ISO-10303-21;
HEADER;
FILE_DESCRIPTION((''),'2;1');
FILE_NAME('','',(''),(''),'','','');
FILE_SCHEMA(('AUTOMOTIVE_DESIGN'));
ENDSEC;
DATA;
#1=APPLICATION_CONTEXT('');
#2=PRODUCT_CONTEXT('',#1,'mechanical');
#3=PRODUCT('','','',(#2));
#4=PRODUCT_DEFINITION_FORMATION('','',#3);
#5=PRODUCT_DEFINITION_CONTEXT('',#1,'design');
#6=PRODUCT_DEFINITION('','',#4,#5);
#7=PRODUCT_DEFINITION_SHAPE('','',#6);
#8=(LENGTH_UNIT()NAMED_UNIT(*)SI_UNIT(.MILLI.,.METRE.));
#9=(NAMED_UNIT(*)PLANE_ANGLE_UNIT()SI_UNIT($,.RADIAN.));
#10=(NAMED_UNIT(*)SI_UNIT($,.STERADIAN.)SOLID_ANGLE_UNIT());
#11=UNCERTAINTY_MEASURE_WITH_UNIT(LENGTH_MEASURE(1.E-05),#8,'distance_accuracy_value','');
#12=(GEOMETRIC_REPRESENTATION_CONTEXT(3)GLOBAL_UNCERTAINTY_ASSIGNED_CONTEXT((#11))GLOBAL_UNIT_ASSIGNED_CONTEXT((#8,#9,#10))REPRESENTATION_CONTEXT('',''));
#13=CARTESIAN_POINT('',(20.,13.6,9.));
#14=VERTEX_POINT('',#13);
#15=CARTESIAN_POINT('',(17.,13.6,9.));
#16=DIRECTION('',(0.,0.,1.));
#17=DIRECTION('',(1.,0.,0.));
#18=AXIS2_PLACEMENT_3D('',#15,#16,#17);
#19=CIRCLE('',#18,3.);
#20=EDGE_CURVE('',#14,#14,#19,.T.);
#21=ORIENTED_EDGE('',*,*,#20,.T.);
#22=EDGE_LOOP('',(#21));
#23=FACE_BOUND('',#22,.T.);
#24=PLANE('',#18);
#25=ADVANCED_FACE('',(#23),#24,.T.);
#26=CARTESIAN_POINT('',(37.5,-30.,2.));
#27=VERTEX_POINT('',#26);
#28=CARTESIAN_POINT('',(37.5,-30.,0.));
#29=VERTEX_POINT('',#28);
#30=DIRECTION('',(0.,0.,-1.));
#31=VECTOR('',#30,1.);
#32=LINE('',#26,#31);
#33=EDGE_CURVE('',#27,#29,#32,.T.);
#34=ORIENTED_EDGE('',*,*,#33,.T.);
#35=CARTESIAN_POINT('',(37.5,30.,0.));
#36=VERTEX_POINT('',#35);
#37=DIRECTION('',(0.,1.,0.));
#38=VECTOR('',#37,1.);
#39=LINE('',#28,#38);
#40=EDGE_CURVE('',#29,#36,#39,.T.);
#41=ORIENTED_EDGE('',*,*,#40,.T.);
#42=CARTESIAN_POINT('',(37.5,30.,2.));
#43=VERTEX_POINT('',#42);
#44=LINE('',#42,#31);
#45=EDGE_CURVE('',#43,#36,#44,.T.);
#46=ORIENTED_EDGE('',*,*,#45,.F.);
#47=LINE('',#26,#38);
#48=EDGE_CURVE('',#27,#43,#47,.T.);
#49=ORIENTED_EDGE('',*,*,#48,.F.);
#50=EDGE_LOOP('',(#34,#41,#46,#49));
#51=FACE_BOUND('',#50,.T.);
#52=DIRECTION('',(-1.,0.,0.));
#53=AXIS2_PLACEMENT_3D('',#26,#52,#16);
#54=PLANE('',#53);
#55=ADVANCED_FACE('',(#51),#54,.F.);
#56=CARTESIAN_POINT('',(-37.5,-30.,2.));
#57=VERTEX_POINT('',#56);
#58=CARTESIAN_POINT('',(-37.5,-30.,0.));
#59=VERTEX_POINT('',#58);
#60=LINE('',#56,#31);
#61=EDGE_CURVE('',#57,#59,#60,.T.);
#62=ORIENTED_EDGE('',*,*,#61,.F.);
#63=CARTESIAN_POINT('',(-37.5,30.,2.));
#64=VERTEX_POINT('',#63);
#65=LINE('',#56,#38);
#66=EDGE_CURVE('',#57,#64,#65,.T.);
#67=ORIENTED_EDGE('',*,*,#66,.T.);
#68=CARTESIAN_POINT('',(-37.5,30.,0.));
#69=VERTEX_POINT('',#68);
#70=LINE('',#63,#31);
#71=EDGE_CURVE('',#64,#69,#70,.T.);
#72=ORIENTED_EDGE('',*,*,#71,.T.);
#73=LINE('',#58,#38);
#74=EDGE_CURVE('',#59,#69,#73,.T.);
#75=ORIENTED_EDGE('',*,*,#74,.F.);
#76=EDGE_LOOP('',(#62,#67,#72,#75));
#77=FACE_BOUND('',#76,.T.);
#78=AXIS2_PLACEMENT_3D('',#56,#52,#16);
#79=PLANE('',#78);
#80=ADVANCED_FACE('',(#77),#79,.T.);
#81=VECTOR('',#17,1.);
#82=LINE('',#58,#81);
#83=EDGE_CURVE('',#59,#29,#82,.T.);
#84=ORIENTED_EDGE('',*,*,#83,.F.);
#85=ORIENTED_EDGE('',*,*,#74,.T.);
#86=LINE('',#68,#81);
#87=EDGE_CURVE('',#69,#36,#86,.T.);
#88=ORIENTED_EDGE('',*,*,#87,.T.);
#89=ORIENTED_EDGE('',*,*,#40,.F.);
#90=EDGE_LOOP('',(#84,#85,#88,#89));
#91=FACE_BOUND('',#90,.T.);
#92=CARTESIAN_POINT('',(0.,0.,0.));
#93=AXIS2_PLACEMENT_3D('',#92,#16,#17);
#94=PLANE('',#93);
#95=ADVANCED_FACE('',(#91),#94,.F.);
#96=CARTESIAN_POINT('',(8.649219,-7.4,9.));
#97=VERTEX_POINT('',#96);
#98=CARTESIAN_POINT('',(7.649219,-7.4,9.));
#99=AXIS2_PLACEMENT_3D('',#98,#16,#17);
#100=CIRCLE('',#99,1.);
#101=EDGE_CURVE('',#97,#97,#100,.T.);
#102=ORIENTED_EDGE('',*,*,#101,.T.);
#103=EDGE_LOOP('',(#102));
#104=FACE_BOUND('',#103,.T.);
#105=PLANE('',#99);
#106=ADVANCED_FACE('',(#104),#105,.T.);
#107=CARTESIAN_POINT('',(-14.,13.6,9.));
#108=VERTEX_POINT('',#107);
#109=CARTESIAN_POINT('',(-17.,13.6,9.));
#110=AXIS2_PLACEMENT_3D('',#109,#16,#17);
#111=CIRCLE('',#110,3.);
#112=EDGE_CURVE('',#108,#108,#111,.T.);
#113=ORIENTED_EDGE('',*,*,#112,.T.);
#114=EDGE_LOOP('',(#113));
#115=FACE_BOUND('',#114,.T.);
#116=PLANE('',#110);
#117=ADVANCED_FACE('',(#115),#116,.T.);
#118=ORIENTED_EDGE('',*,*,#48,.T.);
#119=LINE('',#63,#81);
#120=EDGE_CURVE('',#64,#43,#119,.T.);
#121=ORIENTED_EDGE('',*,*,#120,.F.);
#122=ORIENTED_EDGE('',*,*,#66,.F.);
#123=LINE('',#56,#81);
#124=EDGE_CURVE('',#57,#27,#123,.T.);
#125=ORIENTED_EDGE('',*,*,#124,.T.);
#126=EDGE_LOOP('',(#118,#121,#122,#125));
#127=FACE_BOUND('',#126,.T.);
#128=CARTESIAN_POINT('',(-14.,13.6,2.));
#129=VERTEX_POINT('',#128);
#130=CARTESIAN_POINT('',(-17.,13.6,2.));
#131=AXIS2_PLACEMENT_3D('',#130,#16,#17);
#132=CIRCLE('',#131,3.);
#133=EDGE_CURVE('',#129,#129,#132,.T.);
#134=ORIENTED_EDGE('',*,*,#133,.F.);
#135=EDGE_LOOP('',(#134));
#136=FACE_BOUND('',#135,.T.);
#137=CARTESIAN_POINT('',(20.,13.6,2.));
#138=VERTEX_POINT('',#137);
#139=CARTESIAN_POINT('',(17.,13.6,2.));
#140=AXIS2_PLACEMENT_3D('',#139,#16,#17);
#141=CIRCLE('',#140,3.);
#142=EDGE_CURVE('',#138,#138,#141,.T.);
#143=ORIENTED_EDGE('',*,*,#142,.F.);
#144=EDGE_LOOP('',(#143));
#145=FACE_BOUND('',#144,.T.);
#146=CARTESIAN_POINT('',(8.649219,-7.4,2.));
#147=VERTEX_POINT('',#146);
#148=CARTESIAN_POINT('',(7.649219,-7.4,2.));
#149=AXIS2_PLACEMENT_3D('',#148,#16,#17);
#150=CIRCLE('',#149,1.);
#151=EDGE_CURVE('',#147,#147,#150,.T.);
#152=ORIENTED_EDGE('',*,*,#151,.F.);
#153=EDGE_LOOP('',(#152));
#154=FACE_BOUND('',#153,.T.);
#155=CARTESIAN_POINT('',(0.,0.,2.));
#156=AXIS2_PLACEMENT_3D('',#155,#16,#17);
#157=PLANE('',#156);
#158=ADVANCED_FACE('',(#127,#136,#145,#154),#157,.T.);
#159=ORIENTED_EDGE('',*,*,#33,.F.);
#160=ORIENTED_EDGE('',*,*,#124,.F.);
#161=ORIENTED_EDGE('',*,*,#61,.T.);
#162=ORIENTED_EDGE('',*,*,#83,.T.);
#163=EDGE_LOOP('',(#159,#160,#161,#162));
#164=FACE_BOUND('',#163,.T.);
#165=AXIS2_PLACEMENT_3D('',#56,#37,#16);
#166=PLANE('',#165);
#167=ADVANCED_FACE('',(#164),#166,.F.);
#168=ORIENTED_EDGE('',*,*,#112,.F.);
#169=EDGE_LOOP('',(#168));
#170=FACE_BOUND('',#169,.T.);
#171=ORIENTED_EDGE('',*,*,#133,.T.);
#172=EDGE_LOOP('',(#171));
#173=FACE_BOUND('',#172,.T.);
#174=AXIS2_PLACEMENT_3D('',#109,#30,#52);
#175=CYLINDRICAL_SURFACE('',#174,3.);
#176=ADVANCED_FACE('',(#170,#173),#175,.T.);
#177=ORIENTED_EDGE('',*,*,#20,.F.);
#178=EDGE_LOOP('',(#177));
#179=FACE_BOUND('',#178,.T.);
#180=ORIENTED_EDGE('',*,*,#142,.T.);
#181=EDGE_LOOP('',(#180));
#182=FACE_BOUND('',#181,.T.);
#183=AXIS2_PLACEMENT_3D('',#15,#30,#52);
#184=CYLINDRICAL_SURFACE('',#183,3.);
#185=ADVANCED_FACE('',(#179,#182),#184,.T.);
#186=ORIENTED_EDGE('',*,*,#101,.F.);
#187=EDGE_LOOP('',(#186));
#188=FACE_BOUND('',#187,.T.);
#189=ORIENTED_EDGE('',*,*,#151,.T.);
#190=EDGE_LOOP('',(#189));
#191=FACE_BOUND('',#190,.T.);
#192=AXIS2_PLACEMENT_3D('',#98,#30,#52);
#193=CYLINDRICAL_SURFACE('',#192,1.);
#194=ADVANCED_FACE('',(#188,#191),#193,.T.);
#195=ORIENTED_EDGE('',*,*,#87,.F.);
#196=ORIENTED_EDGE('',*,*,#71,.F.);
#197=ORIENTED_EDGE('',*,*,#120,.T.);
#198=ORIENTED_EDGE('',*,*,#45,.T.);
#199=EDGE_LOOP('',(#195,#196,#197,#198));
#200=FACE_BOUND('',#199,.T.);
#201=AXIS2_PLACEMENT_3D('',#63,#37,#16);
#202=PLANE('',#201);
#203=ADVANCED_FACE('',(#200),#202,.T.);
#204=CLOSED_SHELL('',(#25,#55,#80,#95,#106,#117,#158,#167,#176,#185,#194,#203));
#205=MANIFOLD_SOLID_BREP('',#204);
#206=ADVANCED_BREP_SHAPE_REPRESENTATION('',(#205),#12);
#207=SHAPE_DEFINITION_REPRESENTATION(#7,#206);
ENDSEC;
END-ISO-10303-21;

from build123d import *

# Parameters (mm, degrees)
ESQUISSE3_W        = 75
ESQUISSE3_H        = 60
BOSS_EXTRU_4_DEPTH = 2
ESQUISSE7_R        = 3
ESQUISSE7_R_2      = 1
BOSS_EXTRU_5_DEPTH = 7


with BuildPart() as part:
    # Esquisse3 → Boss.-Extru.4 (new body)
    with BuildSketch(Plane.XY):
        Rectangle(ESQUISSE3_W, ESQUISSE3_H)
    extrude(amount=BOSS_EXTRU_4_DEPTH)

    # Esquisse7 → Boss.-Extru.5 (add)
    with BuildSketch(Plane.XY.offset(2)):
        with Locations((-17, 13.6)):
            Circle(ESQUISSE7_R)
        with Locations((17, 13.6)):
            Circle(ESQUISSE7_R)
        with Locations((7.649218941, -7.4)):
            Circle(ESQUISSE7_R_2)
    extrude(amount=BOSS_EXTRU_5_DEPTH)


solid = part.part
